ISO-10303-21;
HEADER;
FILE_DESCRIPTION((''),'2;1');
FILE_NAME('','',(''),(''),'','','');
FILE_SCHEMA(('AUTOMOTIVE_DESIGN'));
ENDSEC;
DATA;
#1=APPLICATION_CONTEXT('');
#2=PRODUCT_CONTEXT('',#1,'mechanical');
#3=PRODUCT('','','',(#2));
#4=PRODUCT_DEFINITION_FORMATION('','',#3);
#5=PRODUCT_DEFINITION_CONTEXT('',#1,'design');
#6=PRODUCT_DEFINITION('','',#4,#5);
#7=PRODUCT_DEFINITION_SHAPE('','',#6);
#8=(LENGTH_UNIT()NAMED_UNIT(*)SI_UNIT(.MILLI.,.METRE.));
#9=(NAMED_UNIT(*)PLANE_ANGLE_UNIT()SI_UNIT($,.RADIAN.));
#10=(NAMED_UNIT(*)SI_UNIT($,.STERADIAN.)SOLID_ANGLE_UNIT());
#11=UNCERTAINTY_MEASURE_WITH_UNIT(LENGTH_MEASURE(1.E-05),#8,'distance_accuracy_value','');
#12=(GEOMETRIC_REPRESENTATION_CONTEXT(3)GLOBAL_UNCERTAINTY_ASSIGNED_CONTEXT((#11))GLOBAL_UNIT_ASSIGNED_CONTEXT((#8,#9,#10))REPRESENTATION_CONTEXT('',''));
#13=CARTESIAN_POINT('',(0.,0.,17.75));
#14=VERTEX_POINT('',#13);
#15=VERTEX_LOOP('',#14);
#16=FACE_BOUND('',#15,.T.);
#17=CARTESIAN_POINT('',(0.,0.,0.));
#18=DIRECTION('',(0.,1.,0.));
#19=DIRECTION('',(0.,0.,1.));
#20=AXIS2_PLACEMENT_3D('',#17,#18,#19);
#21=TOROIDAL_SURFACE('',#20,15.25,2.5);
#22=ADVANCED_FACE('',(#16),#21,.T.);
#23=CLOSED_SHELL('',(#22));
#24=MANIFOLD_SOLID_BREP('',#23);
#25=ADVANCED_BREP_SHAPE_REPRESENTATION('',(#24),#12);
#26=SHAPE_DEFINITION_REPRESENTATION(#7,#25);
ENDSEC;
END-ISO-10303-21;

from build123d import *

# Parameters (mm, degrees)
SKETCH1_R = 2.5


with BuildPart() as part:
    # Sketch1 → Revolve1 (revolve)
    with BuildSketch(Plane.XY, mode=Mode.PRIVATE) as revolve1_sk:
        with Locations((15.25, 0)):
            Circle(SKETCH1_R)
    revolve(revolve1_sk.sketch.rotate(Axis((0, 33.380105018, 0), (0, -1, 0)), 90), axis=Axis((0, 33.380105018, 0), (0, -1, 0)))


solid = part.part
